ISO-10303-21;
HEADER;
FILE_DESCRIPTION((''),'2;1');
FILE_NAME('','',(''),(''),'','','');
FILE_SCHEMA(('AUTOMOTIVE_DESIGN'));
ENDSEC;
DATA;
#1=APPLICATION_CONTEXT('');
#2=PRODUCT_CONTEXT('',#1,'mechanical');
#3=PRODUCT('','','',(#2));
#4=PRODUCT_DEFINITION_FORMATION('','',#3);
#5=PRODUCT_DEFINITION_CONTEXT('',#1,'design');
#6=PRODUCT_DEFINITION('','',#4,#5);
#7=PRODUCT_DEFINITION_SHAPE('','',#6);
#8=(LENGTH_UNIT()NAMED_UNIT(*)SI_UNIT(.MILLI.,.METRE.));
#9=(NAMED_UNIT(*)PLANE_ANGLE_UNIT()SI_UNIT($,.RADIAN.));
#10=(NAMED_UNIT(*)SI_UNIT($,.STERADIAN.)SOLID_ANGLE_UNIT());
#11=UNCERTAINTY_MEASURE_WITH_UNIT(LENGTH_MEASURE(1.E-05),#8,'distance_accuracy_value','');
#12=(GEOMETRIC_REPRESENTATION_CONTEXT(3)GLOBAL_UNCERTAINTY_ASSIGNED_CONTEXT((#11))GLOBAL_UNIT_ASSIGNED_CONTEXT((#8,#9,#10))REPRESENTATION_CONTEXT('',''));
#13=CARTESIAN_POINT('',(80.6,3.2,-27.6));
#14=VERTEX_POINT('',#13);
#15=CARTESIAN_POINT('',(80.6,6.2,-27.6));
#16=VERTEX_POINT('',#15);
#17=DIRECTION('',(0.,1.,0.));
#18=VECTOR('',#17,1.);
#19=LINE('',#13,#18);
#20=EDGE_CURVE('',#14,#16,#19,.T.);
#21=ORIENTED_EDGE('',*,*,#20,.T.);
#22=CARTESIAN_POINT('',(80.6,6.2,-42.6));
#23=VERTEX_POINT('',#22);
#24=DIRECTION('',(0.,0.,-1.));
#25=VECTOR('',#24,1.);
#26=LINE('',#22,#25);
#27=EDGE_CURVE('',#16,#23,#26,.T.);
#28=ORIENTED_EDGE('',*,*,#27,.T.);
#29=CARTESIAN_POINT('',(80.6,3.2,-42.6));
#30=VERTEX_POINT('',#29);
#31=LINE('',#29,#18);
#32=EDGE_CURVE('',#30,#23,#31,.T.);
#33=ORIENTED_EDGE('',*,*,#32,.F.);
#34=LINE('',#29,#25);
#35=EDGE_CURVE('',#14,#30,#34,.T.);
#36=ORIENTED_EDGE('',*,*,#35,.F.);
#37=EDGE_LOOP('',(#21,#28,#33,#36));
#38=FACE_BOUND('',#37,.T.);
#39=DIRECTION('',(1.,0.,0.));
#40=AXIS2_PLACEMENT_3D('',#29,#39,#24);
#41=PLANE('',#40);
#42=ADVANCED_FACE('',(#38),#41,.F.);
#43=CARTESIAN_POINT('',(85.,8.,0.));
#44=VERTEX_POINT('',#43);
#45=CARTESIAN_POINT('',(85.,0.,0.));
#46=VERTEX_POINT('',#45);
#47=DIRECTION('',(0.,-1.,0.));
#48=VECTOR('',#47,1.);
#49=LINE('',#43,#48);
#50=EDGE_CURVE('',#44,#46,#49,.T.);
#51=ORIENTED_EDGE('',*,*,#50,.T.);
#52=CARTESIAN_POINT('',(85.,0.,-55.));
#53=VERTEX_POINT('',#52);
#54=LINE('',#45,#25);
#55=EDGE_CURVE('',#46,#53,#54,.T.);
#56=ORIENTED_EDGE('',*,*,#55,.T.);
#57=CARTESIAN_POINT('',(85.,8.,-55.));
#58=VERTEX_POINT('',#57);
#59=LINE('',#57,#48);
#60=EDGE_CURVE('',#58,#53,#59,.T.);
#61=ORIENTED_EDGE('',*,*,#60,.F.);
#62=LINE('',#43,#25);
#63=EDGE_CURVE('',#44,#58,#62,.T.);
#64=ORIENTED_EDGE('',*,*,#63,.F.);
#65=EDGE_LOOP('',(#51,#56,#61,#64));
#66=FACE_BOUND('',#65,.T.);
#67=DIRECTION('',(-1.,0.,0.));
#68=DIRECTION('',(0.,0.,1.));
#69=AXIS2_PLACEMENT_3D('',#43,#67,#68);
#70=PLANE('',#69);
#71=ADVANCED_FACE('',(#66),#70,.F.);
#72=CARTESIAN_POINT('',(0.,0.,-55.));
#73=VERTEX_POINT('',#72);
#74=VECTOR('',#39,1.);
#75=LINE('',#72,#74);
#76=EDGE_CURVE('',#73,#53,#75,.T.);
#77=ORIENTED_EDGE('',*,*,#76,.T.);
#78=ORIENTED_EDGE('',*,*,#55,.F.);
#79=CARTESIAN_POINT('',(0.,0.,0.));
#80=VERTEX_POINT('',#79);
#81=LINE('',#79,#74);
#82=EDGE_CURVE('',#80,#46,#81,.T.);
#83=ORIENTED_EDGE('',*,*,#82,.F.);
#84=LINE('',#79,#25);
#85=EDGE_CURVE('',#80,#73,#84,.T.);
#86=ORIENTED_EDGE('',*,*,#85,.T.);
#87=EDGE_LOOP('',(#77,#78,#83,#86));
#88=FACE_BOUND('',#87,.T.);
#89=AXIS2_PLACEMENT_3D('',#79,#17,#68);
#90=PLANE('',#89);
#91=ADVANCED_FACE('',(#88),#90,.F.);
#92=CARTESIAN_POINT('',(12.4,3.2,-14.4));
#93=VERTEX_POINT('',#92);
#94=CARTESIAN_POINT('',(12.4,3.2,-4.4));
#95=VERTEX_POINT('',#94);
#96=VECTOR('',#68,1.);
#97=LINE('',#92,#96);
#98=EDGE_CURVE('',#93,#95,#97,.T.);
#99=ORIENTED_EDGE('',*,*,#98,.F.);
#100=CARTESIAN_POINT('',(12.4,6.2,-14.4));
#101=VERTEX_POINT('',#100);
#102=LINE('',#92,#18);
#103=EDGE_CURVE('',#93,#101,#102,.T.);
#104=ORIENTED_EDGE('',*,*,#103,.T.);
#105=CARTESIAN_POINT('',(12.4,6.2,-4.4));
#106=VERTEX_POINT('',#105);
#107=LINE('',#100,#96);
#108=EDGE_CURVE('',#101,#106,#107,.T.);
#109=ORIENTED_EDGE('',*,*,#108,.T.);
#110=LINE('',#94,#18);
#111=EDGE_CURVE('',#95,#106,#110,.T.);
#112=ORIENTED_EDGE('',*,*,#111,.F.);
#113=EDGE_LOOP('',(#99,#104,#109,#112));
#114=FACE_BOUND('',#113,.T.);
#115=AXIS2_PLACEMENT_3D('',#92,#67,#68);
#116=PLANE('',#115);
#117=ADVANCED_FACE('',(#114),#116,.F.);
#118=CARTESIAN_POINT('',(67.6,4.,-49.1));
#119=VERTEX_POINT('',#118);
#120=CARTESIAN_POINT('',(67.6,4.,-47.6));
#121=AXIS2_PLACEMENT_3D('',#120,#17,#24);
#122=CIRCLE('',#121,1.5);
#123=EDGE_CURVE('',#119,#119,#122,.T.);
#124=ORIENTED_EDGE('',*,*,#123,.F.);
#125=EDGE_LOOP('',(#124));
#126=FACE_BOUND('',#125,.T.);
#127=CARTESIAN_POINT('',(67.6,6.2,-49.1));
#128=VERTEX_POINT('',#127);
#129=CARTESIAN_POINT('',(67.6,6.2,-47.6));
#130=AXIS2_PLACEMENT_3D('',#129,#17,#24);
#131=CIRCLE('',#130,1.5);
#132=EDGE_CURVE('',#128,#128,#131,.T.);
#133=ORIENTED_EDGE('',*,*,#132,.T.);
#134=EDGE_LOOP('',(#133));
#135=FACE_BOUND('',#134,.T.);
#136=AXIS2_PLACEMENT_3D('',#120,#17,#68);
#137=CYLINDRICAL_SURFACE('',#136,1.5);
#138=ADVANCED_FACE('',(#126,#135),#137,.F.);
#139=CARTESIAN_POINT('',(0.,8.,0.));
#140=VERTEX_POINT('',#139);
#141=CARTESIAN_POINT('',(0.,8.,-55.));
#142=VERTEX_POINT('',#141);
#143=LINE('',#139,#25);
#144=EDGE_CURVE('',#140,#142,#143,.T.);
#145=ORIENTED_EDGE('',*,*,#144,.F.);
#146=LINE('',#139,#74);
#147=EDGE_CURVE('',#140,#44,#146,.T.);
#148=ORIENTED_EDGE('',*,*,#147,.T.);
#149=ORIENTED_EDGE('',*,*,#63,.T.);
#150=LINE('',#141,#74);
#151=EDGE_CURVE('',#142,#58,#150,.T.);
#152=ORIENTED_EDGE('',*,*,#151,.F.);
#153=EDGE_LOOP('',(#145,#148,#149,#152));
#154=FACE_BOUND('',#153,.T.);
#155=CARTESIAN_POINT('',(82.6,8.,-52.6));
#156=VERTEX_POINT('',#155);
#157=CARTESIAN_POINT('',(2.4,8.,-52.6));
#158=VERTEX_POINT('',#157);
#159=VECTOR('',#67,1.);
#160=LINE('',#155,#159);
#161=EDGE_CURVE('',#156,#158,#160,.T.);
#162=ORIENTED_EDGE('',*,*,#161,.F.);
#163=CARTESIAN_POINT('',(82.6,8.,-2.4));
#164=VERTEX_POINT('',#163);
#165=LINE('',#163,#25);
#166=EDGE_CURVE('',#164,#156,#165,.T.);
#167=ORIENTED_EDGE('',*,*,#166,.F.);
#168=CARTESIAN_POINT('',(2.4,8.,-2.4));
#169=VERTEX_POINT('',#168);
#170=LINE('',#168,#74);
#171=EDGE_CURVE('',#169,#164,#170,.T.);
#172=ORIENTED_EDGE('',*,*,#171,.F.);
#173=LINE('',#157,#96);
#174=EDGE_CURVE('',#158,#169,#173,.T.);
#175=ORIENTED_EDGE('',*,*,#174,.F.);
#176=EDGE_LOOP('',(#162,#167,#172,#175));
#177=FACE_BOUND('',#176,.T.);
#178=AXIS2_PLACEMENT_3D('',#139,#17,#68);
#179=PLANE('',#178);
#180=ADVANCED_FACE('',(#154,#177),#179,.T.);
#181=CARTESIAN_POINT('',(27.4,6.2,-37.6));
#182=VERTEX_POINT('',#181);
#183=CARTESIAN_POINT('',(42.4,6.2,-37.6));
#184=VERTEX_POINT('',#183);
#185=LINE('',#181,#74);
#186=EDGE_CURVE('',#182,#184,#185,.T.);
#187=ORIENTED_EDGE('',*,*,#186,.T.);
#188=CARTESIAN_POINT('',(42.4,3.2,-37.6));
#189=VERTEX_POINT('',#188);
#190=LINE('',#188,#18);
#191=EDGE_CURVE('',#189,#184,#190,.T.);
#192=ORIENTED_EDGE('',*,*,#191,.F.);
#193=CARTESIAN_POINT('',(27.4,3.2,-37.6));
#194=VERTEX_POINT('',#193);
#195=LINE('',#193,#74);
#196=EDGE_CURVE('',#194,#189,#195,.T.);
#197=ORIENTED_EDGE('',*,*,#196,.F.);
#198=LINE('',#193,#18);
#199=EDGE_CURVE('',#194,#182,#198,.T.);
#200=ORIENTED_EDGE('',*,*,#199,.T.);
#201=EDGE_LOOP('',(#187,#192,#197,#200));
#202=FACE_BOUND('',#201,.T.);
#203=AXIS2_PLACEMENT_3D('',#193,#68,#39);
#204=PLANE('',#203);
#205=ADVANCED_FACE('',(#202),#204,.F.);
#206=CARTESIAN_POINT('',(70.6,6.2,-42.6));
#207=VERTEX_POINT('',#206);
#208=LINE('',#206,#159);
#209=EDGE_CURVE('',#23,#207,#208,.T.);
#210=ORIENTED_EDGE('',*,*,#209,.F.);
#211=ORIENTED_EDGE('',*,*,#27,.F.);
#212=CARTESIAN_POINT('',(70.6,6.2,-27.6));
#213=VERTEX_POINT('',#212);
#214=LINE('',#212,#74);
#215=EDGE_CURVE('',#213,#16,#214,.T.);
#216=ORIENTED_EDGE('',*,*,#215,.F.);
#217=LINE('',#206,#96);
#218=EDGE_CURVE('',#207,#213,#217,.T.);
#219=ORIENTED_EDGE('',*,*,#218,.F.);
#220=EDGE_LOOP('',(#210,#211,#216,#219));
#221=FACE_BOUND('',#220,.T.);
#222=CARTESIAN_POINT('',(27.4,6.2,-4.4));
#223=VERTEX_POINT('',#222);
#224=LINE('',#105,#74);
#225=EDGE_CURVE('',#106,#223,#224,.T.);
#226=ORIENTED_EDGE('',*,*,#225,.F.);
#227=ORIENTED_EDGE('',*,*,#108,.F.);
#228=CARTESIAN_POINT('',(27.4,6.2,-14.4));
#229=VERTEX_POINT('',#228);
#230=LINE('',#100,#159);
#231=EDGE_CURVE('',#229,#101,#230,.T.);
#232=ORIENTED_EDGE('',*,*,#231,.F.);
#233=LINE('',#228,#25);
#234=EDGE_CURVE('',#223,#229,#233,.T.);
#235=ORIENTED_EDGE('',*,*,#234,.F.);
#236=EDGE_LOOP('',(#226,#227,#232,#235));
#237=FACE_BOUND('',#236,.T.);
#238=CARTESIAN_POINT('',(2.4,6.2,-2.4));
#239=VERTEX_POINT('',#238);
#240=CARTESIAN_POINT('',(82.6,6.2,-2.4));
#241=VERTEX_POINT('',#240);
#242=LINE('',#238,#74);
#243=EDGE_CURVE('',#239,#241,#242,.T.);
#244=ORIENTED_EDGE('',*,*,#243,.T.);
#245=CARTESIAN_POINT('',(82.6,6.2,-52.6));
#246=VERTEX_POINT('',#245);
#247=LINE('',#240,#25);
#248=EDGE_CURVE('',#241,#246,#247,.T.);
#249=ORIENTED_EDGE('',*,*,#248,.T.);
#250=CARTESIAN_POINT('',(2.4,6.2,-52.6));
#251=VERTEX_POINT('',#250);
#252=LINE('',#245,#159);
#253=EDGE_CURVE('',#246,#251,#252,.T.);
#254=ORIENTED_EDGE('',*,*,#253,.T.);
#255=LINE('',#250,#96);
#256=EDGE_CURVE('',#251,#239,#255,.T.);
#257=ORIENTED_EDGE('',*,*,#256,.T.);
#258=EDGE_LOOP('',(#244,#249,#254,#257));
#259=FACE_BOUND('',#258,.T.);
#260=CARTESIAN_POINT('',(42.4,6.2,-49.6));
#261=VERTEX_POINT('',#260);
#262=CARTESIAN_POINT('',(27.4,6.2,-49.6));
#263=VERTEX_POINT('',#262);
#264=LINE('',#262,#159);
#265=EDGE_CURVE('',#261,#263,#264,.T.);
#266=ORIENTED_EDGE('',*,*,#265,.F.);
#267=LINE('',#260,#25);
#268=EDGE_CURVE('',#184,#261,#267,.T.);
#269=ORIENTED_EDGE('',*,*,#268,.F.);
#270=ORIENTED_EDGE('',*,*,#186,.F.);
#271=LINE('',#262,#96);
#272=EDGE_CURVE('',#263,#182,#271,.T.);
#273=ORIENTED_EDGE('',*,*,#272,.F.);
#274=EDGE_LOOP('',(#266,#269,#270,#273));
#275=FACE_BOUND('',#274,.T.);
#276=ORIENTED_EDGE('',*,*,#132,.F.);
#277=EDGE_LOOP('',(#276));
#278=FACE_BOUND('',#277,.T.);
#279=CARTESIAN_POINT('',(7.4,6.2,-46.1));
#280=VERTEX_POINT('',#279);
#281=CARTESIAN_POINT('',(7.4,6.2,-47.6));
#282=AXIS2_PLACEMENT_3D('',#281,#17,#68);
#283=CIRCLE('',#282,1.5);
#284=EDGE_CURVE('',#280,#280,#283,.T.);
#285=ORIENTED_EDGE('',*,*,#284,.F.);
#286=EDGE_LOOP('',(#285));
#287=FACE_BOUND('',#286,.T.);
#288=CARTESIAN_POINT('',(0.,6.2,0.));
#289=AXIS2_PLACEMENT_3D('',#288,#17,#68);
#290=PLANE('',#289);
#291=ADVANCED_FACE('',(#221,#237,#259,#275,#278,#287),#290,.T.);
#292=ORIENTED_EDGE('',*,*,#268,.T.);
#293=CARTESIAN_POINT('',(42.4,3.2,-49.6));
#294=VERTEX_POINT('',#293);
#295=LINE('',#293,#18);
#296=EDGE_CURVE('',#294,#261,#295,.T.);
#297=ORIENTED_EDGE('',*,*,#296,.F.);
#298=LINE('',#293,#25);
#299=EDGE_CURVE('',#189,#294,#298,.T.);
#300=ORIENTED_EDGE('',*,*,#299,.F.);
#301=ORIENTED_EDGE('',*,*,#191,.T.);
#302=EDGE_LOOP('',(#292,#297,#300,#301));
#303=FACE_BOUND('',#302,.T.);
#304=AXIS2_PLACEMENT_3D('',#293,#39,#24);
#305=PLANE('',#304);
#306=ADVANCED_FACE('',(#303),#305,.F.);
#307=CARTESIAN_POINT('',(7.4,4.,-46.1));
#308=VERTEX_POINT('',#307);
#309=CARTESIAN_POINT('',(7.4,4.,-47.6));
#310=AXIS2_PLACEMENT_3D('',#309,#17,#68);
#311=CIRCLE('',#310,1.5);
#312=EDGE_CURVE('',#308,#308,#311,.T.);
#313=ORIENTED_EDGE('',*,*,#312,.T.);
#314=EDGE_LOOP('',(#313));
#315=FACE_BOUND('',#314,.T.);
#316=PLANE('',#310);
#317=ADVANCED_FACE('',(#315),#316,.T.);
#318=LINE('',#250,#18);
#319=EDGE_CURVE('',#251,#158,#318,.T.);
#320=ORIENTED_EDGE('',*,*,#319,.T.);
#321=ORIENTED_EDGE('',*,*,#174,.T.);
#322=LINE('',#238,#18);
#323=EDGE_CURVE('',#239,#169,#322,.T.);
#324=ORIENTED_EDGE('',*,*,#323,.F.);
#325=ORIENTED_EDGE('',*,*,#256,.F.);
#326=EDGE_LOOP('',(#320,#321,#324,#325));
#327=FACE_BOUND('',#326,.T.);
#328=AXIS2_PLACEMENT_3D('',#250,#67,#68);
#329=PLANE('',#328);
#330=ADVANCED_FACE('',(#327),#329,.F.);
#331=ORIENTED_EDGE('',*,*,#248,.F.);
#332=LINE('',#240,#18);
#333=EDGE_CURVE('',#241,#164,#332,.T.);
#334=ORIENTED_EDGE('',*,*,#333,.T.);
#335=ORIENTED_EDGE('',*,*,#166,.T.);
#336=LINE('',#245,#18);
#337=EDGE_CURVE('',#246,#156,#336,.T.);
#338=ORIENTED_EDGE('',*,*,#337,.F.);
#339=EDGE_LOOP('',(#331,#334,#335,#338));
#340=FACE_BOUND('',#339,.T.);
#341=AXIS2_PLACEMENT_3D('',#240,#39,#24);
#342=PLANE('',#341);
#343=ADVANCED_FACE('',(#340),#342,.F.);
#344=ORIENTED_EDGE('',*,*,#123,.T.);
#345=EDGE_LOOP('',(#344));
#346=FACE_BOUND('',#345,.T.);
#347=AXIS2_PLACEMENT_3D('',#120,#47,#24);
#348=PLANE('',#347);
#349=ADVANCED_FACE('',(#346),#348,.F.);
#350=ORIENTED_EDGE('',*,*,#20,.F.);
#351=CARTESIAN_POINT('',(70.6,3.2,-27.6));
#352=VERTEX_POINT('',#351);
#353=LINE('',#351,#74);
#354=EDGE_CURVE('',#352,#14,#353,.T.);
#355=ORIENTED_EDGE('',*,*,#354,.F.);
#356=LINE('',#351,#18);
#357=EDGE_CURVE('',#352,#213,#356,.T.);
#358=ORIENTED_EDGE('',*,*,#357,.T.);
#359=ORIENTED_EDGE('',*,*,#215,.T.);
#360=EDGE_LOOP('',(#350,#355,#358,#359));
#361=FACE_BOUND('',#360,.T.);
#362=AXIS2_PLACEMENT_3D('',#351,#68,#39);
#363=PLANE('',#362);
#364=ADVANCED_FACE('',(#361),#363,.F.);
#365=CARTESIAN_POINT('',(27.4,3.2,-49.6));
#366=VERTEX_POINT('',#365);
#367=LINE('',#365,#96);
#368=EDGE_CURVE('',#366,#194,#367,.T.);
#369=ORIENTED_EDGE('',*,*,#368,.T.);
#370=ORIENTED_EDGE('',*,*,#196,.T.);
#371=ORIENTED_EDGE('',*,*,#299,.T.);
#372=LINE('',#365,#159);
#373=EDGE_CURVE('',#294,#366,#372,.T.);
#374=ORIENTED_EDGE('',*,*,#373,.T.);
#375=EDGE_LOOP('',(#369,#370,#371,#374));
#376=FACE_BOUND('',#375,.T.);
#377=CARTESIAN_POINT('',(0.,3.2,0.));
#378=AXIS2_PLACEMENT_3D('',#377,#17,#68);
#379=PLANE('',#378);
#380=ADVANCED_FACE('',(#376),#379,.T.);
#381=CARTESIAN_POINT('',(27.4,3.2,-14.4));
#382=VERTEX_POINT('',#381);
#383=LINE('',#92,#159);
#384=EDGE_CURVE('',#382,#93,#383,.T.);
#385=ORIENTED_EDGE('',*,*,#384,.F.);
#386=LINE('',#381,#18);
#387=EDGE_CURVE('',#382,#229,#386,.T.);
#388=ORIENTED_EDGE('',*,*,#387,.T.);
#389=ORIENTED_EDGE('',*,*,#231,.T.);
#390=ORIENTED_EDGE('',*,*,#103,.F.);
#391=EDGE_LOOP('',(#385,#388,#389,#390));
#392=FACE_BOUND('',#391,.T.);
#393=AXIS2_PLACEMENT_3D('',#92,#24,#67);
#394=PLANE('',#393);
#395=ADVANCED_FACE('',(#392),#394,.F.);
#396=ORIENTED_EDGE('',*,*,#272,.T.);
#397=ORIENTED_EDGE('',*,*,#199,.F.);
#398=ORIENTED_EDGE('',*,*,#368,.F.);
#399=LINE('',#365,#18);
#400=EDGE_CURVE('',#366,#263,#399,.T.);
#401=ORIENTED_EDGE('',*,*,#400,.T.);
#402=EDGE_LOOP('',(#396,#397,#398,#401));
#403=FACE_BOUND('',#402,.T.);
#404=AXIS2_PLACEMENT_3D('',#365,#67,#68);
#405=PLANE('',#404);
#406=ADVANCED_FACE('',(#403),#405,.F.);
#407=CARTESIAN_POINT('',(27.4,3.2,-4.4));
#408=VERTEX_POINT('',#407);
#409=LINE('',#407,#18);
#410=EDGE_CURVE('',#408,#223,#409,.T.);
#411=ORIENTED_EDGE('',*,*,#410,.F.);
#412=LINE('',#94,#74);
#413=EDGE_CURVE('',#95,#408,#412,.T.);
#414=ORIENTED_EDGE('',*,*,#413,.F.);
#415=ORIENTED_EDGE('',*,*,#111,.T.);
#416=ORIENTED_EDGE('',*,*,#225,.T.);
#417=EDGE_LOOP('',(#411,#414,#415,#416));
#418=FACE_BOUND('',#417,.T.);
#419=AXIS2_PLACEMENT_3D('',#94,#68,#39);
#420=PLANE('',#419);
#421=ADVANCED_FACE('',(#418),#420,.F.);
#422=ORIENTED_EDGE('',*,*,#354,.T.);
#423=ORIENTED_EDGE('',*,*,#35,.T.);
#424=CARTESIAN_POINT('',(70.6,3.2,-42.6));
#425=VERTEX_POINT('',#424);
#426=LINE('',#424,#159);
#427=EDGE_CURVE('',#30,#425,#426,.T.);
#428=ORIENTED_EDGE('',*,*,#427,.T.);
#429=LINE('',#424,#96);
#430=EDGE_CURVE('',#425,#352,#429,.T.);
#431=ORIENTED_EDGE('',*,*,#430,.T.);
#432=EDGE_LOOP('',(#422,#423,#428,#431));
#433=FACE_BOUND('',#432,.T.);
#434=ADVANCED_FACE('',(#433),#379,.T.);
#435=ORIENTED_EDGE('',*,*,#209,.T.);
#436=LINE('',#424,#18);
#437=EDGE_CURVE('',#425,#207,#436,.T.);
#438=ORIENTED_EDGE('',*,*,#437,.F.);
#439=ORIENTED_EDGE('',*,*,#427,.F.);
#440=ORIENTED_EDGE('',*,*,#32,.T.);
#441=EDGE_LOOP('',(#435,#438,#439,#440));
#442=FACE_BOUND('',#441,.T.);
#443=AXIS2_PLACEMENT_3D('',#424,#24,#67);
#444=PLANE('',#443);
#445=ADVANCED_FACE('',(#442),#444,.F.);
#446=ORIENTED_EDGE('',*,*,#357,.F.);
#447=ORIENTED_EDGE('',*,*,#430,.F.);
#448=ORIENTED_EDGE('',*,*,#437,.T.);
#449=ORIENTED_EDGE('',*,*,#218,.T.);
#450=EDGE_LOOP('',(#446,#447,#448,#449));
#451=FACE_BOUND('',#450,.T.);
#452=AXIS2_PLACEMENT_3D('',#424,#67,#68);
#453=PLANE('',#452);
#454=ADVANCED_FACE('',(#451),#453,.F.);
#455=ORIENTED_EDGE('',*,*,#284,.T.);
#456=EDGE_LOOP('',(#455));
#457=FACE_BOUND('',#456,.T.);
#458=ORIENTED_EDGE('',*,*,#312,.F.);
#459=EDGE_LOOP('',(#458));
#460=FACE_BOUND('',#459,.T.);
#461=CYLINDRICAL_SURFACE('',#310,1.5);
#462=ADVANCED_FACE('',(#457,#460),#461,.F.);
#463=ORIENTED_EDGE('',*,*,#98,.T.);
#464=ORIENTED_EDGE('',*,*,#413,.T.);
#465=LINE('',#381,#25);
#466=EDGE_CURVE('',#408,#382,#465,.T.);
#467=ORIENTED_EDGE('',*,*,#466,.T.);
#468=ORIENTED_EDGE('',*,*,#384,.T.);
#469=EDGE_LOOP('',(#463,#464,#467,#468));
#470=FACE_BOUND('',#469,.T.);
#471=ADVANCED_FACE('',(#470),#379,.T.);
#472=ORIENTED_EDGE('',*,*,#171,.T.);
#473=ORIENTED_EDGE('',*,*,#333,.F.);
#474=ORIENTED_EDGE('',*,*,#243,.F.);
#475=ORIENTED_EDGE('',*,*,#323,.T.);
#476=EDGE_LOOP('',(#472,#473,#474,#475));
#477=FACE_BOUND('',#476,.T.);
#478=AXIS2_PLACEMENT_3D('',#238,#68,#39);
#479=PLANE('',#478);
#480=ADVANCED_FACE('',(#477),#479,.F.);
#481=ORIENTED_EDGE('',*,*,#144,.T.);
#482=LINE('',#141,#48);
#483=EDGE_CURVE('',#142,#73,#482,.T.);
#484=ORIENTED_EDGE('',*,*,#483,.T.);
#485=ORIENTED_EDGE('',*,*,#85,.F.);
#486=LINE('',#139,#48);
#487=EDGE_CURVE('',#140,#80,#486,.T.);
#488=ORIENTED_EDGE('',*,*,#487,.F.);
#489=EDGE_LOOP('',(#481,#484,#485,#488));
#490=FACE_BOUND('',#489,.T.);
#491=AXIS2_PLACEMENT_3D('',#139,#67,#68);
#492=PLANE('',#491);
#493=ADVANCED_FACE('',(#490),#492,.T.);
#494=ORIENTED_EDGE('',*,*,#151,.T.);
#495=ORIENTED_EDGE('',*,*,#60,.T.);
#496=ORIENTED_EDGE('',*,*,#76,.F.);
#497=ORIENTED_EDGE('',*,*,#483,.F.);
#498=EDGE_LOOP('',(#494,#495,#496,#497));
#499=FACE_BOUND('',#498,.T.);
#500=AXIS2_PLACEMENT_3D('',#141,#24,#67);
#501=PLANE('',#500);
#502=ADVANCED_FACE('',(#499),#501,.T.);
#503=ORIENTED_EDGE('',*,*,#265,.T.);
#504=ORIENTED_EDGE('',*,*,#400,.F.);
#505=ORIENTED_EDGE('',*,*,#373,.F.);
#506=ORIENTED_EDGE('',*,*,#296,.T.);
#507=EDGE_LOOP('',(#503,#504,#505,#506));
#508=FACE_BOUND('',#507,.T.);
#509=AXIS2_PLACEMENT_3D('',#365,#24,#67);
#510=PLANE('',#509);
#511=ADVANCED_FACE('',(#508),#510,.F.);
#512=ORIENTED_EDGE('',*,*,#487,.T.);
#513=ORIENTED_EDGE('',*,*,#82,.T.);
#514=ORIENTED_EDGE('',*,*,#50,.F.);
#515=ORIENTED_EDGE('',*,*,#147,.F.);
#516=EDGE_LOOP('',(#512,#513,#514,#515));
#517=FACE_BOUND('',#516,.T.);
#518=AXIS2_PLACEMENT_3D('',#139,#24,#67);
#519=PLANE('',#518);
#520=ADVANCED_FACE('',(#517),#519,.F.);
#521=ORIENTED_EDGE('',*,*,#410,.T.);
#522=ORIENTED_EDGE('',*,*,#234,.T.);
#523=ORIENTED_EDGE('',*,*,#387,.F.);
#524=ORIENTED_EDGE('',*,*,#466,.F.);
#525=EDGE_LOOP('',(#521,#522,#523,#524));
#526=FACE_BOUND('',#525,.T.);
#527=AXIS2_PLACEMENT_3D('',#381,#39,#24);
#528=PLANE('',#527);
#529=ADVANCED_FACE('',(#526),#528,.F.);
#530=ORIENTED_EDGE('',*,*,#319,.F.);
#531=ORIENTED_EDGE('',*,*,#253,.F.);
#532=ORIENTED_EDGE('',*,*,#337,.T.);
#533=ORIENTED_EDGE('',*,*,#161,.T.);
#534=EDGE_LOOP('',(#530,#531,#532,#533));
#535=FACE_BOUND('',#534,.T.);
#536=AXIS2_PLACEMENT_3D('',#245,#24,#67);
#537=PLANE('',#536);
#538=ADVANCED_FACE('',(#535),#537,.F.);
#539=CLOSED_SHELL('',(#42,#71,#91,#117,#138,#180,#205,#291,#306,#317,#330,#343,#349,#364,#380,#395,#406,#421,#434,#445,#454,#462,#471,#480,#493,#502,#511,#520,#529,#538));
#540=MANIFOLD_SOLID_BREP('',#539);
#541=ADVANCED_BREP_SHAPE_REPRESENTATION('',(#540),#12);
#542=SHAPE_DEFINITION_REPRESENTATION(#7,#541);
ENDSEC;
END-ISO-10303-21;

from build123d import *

# Parameters (mm, degrees)
SKETCH_2_W          = 85
SKETCH_2_H          = 55
EXTRUDE_3_DEPTH     = 8
SKETCH_5_W          = 80.2
SKETCH_5_H          = 50.2
CUT_EXTRUDE_1_DEPTH = 1.8
SKETCH_7_R          = 1.5
CUT_EXTRUDE_4_DEPTH = 2.2
SKETCH_8_W          = 15
SKETCH_8_H          = 10
SKETCH_8_W_2        = 10
SKETCH_8_H_2        = 15
SKETCH_8_H_3        = 12
CUT_EXTRUDE_6_DEPTH = 3


with BuildPart() as part:
    # 草图2 → 凸台-拉伸3 (new body)
    with BuildSketch(Plane(origin=(0, 0, 0), x_dir=(1, 0, 0), z_dir=(0, 1, 0))):
        with Locations((42.5, 27.5)):
            Rectangle(SKETCH_2_W, SKETCH_2_H)
    extrude(amount=EXTRUDE_3_DEPTH)

    # 草图5 → 切除-拉伸1 (cut)
    with BuildSketch(Plane(origin=(0, 8, 0), x_dir=(1, 0, 0), z_dir=(0, 1, 0))):
        with Locations((42.5, 27.5)):
            Rectangle(SKETCH_5_W, SKETCH_5_H)
    extrude(amount=-CUT_EXTRUDE_1_DEPTH, mode=Mode.SUBTRACT)

    # 草图7 → 切除-拉伸4 (cut)
    with BuildSketch(Plane(origin=(0, 6.2, 0), x_dir=(1, 0, 0), z_dir=(0, 1, 0))):
        with Locations(Location((7.4, 47.6, 0), (0, 0, 270))):
            Circle(SKETCH_7_R)
        with Locations(Location((67.6, 47.6, 0), (0, 0, 90))):
            Circle(SKETCH_7_R)
        with Locations((7.4, -2.6)):
            Circle(SKETCH_7_R)
        with Locations((67.6, -2.6)):
            Circle(SKETCH_7_R)
    extrude(amount=-CUT_EXTRUDE_4_DEPTH, mode=Mode.SUBTRACT)

    # 草图8 → 切除-拉伸6 (cut)
    with BuildSketch(Plane(origin=(0, 6.2, 0), x_dir=(1, 0, 0), z_dir=(0, 1, 0))):
        with Locations((19.9, 9.4)):
            Rectangle(SKETCH_8_W, SKETCH_8_H)
        with Locations((75.6, 35.1)):
            Rectangle(SKETCH_8_W_2, SKETCH_8_H_2)
        with Locations((34.9, 43.6)):
            Rectangle(SKETCH_8_W, SKETCH_8_H_3)
    extrude(amount=-CUT_EXTRUDE_6_DEPTH, mode=Mode.SUBTRACT)


solid = part.part
